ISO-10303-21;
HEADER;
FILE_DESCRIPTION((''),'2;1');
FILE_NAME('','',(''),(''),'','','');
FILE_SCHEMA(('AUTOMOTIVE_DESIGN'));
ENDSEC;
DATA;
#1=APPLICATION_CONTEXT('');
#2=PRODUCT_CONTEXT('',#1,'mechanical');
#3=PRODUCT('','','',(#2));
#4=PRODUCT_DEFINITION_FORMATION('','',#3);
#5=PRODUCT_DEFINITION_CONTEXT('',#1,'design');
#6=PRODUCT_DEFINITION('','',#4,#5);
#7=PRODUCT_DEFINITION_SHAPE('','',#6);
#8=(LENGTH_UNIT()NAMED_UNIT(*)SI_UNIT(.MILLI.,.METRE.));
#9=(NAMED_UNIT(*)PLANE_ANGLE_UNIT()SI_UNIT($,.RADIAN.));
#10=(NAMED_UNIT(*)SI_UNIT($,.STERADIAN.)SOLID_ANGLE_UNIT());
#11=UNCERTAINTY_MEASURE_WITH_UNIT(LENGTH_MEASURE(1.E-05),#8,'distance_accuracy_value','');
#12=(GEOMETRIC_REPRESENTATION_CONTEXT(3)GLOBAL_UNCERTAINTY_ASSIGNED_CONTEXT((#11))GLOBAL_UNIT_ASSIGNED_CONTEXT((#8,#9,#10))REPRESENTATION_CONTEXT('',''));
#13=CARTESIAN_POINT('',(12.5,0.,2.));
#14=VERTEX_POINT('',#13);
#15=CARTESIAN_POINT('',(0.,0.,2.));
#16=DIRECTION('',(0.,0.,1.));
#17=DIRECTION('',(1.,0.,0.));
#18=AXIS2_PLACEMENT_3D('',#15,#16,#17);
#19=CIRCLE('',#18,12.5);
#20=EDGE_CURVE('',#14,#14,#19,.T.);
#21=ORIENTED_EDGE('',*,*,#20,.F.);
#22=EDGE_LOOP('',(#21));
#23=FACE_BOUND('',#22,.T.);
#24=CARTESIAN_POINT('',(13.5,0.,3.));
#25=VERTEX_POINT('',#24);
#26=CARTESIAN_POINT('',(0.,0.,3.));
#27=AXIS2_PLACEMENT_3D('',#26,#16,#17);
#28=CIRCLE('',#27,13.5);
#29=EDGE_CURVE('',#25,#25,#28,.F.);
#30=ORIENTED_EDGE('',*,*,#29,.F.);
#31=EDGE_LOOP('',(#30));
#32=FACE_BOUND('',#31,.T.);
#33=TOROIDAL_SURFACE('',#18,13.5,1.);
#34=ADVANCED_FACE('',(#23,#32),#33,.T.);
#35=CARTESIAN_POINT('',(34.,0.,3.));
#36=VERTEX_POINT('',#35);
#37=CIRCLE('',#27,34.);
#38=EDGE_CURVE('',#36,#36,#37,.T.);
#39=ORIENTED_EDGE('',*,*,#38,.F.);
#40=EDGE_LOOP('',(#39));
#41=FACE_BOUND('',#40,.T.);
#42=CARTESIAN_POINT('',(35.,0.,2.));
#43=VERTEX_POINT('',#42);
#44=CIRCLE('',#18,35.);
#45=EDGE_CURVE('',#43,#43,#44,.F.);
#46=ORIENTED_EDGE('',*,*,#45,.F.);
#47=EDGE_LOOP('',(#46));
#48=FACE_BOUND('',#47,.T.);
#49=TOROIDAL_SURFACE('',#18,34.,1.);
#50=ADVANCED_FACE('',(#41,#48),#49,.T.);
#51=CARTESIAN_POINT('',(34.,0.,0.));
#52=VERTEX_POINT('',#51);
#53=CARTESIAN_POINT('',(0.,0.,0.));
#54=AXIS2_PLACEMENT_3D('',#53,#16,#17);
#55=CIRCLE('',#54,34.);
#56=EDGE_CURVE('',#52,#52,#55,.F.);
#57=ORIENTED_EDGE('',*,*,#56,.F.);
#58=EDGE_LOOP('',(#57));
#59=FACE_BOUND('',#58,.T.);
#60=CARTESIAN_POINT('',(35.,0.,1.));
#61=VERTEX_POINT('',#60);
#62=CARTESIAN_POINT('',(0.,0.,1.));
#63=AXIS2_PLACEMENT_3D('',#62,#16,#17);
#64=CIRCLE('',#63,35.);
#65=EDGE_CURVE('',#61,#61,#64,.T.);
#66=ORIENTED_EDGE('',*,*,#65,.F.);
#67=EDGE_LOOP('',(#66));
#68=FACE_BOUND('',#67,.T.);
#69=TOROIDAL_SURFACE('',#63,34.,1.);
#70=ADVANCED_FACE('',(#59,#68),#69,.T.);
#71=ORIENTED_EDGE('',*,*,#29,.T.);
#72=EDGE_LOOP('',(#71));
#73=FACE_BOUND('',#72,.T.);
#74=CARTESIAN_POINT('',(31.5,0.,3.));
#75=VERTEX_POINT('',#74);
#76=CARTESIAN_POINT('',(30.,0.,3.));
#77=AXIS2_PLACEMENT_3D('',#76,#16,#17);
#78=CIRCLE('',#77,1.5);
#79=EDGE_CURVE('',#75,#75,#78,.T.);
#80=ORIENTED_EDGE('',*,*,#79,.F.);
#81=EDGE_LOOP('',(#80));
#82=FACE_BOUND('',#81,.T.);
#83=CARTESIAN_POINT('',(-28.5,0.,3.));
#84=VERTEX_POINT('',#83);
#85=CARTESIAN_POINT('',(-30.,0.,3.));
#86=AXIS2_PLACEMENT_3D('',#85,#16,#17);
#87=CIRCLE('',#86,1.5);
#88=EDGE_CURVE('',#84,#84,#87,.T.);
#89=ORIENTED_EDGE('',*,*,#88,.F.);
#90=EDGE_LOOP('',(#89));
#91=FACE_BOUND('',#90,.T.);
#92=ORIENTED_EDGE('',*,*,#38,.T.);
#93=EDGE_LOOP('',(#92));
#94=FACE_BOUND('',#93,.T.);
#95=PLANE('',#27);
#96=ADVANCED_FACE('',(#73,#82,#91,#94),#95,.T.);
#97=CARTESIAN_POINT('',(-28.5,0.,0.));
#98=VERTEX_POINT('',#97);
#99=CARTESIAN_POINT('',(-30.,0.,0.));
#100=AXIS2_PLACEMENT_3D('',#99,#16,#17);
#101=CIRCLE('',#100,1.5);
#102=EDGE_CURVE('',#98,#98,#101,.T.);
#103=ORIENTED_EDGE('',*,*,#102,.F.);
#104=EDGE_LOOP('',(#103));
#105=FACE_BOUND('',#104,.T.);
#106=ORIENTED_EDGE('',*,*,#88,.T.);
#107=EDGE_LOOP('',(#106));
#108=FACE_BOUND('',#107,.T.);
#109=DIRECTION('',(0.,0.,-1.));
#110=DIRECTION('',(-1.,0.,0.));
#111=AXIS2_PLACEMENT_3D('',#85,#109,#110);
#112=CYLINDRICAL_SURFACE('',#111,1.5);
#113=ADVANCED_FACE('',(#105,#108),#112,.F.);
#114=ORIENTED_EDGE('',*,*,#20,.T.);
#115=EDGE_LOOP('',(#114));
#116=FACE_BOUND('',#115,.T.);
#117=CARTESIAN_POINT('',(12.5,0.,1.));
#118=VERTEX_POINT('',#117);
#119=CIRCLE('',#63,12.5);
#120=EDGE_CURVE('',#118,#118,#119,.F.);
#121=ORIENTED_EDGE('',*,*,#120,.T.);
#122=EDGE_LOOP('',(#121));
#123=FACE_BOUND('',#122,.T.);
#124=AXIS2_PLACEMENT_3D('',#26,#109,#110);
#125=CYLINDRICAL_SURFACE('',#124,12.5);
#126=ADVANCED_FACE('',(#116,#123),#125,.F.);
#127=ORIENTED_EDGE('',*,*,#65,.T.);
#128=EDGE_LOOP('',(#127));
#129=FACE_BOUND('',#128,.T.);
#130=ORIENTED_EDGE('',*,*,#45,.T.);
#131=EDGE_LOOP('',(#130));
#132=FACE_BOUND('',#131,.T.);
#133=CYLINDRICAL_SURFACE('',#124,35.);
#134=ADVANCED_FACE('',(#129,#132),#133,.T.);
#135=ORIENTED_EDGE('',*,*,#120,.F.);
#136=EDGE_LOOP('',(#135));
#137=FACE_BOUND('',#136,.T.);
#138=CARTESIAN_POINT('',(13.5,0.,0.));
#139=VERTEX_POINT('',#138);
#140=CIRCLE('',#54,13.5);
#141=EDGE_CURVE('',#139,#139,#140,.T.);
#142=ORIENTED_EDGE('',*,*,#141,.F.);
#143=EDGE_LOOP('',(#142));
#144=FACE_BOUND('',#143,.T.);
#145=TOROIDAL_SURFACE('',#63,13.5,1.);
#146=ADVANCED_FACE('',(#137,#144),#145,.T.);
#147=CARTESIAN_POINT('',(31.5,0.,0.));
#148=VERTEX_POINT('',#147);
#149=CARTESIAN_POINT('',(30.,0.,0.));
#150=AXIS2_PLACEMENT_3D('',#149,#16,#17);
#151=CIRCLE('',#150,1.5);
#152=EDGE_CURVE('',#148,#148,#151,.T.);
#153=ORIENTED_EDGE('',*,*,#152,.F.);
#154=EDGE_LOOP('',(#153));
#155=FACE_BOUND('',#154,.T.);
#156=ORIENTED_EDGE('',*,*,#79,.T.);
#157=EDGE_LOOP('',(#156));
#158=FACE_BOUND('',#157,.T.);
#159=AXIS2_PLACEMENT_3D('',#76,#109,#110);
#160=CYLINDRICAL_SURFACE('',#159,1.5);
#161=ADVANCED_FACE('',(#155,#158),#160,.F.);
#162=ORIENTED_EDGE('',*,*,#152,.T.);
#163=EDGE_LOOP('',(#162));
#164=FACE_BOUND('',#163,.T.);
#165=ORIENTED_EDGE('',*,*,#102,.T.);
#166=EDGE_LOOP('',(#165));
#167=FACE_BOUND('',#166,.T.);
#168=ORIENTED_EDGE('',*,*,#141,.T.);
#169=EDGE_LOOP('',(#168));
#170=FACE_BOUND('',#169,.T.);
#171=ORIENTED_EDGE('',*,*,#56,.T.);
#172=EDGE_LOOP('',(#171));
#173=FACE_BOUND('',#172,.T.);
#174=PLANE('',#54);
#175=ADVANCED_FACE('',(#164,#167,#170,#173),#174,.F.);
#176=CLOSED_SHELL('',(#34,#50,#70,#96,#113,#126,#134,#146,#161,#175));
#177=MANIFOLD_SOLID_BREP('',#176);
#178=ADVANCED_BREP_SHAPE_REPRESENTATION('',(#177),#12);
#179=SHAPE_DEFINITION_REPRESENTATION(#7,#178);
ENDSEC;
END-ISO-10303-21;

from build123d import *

# Parameters (mm, degrees)
CROQUIS1_R              = 35
CROQUIS1_R_2            = 12.5
CROQUIS1_R_3            = 1.5
SALIENTE_EXTRUIR1_DEPTH = 3
REDONDEO1_R             = 1


with BuildPart() as part:
    # Croquis1 → Saliente-Extruir1 (new body)
    with BuildSketch(Plane.XY):
        Circle(CROQUIS1_R)
        Circle(CROQUIS1_R_2, mode=Mode.SUBTRACT)
        with Locations((30, 0)):
            Circle(CROQUIS1_R_3, mode=Mode.SUBTRACT)
        with Locations((-30, 0)):
            Circle(CROQUIS1_R_3, mode=Mode.SUBTRACT)
    extrude(amount=SALIENTE_EXTRUIR1_DEPTH)

    # Redondeo1
    redondeo1_edges = [part.edges().sort_by_distance(p)[0] for p in [
        (-35, 0, 0),
        (-35, 0, 3),
        (-12.5, 0, 0),
        (-12.5, 0, 3),
    ]]
    fillet(redondeo1_edges, radius=REDONDEO1_R)


solid = part.part
